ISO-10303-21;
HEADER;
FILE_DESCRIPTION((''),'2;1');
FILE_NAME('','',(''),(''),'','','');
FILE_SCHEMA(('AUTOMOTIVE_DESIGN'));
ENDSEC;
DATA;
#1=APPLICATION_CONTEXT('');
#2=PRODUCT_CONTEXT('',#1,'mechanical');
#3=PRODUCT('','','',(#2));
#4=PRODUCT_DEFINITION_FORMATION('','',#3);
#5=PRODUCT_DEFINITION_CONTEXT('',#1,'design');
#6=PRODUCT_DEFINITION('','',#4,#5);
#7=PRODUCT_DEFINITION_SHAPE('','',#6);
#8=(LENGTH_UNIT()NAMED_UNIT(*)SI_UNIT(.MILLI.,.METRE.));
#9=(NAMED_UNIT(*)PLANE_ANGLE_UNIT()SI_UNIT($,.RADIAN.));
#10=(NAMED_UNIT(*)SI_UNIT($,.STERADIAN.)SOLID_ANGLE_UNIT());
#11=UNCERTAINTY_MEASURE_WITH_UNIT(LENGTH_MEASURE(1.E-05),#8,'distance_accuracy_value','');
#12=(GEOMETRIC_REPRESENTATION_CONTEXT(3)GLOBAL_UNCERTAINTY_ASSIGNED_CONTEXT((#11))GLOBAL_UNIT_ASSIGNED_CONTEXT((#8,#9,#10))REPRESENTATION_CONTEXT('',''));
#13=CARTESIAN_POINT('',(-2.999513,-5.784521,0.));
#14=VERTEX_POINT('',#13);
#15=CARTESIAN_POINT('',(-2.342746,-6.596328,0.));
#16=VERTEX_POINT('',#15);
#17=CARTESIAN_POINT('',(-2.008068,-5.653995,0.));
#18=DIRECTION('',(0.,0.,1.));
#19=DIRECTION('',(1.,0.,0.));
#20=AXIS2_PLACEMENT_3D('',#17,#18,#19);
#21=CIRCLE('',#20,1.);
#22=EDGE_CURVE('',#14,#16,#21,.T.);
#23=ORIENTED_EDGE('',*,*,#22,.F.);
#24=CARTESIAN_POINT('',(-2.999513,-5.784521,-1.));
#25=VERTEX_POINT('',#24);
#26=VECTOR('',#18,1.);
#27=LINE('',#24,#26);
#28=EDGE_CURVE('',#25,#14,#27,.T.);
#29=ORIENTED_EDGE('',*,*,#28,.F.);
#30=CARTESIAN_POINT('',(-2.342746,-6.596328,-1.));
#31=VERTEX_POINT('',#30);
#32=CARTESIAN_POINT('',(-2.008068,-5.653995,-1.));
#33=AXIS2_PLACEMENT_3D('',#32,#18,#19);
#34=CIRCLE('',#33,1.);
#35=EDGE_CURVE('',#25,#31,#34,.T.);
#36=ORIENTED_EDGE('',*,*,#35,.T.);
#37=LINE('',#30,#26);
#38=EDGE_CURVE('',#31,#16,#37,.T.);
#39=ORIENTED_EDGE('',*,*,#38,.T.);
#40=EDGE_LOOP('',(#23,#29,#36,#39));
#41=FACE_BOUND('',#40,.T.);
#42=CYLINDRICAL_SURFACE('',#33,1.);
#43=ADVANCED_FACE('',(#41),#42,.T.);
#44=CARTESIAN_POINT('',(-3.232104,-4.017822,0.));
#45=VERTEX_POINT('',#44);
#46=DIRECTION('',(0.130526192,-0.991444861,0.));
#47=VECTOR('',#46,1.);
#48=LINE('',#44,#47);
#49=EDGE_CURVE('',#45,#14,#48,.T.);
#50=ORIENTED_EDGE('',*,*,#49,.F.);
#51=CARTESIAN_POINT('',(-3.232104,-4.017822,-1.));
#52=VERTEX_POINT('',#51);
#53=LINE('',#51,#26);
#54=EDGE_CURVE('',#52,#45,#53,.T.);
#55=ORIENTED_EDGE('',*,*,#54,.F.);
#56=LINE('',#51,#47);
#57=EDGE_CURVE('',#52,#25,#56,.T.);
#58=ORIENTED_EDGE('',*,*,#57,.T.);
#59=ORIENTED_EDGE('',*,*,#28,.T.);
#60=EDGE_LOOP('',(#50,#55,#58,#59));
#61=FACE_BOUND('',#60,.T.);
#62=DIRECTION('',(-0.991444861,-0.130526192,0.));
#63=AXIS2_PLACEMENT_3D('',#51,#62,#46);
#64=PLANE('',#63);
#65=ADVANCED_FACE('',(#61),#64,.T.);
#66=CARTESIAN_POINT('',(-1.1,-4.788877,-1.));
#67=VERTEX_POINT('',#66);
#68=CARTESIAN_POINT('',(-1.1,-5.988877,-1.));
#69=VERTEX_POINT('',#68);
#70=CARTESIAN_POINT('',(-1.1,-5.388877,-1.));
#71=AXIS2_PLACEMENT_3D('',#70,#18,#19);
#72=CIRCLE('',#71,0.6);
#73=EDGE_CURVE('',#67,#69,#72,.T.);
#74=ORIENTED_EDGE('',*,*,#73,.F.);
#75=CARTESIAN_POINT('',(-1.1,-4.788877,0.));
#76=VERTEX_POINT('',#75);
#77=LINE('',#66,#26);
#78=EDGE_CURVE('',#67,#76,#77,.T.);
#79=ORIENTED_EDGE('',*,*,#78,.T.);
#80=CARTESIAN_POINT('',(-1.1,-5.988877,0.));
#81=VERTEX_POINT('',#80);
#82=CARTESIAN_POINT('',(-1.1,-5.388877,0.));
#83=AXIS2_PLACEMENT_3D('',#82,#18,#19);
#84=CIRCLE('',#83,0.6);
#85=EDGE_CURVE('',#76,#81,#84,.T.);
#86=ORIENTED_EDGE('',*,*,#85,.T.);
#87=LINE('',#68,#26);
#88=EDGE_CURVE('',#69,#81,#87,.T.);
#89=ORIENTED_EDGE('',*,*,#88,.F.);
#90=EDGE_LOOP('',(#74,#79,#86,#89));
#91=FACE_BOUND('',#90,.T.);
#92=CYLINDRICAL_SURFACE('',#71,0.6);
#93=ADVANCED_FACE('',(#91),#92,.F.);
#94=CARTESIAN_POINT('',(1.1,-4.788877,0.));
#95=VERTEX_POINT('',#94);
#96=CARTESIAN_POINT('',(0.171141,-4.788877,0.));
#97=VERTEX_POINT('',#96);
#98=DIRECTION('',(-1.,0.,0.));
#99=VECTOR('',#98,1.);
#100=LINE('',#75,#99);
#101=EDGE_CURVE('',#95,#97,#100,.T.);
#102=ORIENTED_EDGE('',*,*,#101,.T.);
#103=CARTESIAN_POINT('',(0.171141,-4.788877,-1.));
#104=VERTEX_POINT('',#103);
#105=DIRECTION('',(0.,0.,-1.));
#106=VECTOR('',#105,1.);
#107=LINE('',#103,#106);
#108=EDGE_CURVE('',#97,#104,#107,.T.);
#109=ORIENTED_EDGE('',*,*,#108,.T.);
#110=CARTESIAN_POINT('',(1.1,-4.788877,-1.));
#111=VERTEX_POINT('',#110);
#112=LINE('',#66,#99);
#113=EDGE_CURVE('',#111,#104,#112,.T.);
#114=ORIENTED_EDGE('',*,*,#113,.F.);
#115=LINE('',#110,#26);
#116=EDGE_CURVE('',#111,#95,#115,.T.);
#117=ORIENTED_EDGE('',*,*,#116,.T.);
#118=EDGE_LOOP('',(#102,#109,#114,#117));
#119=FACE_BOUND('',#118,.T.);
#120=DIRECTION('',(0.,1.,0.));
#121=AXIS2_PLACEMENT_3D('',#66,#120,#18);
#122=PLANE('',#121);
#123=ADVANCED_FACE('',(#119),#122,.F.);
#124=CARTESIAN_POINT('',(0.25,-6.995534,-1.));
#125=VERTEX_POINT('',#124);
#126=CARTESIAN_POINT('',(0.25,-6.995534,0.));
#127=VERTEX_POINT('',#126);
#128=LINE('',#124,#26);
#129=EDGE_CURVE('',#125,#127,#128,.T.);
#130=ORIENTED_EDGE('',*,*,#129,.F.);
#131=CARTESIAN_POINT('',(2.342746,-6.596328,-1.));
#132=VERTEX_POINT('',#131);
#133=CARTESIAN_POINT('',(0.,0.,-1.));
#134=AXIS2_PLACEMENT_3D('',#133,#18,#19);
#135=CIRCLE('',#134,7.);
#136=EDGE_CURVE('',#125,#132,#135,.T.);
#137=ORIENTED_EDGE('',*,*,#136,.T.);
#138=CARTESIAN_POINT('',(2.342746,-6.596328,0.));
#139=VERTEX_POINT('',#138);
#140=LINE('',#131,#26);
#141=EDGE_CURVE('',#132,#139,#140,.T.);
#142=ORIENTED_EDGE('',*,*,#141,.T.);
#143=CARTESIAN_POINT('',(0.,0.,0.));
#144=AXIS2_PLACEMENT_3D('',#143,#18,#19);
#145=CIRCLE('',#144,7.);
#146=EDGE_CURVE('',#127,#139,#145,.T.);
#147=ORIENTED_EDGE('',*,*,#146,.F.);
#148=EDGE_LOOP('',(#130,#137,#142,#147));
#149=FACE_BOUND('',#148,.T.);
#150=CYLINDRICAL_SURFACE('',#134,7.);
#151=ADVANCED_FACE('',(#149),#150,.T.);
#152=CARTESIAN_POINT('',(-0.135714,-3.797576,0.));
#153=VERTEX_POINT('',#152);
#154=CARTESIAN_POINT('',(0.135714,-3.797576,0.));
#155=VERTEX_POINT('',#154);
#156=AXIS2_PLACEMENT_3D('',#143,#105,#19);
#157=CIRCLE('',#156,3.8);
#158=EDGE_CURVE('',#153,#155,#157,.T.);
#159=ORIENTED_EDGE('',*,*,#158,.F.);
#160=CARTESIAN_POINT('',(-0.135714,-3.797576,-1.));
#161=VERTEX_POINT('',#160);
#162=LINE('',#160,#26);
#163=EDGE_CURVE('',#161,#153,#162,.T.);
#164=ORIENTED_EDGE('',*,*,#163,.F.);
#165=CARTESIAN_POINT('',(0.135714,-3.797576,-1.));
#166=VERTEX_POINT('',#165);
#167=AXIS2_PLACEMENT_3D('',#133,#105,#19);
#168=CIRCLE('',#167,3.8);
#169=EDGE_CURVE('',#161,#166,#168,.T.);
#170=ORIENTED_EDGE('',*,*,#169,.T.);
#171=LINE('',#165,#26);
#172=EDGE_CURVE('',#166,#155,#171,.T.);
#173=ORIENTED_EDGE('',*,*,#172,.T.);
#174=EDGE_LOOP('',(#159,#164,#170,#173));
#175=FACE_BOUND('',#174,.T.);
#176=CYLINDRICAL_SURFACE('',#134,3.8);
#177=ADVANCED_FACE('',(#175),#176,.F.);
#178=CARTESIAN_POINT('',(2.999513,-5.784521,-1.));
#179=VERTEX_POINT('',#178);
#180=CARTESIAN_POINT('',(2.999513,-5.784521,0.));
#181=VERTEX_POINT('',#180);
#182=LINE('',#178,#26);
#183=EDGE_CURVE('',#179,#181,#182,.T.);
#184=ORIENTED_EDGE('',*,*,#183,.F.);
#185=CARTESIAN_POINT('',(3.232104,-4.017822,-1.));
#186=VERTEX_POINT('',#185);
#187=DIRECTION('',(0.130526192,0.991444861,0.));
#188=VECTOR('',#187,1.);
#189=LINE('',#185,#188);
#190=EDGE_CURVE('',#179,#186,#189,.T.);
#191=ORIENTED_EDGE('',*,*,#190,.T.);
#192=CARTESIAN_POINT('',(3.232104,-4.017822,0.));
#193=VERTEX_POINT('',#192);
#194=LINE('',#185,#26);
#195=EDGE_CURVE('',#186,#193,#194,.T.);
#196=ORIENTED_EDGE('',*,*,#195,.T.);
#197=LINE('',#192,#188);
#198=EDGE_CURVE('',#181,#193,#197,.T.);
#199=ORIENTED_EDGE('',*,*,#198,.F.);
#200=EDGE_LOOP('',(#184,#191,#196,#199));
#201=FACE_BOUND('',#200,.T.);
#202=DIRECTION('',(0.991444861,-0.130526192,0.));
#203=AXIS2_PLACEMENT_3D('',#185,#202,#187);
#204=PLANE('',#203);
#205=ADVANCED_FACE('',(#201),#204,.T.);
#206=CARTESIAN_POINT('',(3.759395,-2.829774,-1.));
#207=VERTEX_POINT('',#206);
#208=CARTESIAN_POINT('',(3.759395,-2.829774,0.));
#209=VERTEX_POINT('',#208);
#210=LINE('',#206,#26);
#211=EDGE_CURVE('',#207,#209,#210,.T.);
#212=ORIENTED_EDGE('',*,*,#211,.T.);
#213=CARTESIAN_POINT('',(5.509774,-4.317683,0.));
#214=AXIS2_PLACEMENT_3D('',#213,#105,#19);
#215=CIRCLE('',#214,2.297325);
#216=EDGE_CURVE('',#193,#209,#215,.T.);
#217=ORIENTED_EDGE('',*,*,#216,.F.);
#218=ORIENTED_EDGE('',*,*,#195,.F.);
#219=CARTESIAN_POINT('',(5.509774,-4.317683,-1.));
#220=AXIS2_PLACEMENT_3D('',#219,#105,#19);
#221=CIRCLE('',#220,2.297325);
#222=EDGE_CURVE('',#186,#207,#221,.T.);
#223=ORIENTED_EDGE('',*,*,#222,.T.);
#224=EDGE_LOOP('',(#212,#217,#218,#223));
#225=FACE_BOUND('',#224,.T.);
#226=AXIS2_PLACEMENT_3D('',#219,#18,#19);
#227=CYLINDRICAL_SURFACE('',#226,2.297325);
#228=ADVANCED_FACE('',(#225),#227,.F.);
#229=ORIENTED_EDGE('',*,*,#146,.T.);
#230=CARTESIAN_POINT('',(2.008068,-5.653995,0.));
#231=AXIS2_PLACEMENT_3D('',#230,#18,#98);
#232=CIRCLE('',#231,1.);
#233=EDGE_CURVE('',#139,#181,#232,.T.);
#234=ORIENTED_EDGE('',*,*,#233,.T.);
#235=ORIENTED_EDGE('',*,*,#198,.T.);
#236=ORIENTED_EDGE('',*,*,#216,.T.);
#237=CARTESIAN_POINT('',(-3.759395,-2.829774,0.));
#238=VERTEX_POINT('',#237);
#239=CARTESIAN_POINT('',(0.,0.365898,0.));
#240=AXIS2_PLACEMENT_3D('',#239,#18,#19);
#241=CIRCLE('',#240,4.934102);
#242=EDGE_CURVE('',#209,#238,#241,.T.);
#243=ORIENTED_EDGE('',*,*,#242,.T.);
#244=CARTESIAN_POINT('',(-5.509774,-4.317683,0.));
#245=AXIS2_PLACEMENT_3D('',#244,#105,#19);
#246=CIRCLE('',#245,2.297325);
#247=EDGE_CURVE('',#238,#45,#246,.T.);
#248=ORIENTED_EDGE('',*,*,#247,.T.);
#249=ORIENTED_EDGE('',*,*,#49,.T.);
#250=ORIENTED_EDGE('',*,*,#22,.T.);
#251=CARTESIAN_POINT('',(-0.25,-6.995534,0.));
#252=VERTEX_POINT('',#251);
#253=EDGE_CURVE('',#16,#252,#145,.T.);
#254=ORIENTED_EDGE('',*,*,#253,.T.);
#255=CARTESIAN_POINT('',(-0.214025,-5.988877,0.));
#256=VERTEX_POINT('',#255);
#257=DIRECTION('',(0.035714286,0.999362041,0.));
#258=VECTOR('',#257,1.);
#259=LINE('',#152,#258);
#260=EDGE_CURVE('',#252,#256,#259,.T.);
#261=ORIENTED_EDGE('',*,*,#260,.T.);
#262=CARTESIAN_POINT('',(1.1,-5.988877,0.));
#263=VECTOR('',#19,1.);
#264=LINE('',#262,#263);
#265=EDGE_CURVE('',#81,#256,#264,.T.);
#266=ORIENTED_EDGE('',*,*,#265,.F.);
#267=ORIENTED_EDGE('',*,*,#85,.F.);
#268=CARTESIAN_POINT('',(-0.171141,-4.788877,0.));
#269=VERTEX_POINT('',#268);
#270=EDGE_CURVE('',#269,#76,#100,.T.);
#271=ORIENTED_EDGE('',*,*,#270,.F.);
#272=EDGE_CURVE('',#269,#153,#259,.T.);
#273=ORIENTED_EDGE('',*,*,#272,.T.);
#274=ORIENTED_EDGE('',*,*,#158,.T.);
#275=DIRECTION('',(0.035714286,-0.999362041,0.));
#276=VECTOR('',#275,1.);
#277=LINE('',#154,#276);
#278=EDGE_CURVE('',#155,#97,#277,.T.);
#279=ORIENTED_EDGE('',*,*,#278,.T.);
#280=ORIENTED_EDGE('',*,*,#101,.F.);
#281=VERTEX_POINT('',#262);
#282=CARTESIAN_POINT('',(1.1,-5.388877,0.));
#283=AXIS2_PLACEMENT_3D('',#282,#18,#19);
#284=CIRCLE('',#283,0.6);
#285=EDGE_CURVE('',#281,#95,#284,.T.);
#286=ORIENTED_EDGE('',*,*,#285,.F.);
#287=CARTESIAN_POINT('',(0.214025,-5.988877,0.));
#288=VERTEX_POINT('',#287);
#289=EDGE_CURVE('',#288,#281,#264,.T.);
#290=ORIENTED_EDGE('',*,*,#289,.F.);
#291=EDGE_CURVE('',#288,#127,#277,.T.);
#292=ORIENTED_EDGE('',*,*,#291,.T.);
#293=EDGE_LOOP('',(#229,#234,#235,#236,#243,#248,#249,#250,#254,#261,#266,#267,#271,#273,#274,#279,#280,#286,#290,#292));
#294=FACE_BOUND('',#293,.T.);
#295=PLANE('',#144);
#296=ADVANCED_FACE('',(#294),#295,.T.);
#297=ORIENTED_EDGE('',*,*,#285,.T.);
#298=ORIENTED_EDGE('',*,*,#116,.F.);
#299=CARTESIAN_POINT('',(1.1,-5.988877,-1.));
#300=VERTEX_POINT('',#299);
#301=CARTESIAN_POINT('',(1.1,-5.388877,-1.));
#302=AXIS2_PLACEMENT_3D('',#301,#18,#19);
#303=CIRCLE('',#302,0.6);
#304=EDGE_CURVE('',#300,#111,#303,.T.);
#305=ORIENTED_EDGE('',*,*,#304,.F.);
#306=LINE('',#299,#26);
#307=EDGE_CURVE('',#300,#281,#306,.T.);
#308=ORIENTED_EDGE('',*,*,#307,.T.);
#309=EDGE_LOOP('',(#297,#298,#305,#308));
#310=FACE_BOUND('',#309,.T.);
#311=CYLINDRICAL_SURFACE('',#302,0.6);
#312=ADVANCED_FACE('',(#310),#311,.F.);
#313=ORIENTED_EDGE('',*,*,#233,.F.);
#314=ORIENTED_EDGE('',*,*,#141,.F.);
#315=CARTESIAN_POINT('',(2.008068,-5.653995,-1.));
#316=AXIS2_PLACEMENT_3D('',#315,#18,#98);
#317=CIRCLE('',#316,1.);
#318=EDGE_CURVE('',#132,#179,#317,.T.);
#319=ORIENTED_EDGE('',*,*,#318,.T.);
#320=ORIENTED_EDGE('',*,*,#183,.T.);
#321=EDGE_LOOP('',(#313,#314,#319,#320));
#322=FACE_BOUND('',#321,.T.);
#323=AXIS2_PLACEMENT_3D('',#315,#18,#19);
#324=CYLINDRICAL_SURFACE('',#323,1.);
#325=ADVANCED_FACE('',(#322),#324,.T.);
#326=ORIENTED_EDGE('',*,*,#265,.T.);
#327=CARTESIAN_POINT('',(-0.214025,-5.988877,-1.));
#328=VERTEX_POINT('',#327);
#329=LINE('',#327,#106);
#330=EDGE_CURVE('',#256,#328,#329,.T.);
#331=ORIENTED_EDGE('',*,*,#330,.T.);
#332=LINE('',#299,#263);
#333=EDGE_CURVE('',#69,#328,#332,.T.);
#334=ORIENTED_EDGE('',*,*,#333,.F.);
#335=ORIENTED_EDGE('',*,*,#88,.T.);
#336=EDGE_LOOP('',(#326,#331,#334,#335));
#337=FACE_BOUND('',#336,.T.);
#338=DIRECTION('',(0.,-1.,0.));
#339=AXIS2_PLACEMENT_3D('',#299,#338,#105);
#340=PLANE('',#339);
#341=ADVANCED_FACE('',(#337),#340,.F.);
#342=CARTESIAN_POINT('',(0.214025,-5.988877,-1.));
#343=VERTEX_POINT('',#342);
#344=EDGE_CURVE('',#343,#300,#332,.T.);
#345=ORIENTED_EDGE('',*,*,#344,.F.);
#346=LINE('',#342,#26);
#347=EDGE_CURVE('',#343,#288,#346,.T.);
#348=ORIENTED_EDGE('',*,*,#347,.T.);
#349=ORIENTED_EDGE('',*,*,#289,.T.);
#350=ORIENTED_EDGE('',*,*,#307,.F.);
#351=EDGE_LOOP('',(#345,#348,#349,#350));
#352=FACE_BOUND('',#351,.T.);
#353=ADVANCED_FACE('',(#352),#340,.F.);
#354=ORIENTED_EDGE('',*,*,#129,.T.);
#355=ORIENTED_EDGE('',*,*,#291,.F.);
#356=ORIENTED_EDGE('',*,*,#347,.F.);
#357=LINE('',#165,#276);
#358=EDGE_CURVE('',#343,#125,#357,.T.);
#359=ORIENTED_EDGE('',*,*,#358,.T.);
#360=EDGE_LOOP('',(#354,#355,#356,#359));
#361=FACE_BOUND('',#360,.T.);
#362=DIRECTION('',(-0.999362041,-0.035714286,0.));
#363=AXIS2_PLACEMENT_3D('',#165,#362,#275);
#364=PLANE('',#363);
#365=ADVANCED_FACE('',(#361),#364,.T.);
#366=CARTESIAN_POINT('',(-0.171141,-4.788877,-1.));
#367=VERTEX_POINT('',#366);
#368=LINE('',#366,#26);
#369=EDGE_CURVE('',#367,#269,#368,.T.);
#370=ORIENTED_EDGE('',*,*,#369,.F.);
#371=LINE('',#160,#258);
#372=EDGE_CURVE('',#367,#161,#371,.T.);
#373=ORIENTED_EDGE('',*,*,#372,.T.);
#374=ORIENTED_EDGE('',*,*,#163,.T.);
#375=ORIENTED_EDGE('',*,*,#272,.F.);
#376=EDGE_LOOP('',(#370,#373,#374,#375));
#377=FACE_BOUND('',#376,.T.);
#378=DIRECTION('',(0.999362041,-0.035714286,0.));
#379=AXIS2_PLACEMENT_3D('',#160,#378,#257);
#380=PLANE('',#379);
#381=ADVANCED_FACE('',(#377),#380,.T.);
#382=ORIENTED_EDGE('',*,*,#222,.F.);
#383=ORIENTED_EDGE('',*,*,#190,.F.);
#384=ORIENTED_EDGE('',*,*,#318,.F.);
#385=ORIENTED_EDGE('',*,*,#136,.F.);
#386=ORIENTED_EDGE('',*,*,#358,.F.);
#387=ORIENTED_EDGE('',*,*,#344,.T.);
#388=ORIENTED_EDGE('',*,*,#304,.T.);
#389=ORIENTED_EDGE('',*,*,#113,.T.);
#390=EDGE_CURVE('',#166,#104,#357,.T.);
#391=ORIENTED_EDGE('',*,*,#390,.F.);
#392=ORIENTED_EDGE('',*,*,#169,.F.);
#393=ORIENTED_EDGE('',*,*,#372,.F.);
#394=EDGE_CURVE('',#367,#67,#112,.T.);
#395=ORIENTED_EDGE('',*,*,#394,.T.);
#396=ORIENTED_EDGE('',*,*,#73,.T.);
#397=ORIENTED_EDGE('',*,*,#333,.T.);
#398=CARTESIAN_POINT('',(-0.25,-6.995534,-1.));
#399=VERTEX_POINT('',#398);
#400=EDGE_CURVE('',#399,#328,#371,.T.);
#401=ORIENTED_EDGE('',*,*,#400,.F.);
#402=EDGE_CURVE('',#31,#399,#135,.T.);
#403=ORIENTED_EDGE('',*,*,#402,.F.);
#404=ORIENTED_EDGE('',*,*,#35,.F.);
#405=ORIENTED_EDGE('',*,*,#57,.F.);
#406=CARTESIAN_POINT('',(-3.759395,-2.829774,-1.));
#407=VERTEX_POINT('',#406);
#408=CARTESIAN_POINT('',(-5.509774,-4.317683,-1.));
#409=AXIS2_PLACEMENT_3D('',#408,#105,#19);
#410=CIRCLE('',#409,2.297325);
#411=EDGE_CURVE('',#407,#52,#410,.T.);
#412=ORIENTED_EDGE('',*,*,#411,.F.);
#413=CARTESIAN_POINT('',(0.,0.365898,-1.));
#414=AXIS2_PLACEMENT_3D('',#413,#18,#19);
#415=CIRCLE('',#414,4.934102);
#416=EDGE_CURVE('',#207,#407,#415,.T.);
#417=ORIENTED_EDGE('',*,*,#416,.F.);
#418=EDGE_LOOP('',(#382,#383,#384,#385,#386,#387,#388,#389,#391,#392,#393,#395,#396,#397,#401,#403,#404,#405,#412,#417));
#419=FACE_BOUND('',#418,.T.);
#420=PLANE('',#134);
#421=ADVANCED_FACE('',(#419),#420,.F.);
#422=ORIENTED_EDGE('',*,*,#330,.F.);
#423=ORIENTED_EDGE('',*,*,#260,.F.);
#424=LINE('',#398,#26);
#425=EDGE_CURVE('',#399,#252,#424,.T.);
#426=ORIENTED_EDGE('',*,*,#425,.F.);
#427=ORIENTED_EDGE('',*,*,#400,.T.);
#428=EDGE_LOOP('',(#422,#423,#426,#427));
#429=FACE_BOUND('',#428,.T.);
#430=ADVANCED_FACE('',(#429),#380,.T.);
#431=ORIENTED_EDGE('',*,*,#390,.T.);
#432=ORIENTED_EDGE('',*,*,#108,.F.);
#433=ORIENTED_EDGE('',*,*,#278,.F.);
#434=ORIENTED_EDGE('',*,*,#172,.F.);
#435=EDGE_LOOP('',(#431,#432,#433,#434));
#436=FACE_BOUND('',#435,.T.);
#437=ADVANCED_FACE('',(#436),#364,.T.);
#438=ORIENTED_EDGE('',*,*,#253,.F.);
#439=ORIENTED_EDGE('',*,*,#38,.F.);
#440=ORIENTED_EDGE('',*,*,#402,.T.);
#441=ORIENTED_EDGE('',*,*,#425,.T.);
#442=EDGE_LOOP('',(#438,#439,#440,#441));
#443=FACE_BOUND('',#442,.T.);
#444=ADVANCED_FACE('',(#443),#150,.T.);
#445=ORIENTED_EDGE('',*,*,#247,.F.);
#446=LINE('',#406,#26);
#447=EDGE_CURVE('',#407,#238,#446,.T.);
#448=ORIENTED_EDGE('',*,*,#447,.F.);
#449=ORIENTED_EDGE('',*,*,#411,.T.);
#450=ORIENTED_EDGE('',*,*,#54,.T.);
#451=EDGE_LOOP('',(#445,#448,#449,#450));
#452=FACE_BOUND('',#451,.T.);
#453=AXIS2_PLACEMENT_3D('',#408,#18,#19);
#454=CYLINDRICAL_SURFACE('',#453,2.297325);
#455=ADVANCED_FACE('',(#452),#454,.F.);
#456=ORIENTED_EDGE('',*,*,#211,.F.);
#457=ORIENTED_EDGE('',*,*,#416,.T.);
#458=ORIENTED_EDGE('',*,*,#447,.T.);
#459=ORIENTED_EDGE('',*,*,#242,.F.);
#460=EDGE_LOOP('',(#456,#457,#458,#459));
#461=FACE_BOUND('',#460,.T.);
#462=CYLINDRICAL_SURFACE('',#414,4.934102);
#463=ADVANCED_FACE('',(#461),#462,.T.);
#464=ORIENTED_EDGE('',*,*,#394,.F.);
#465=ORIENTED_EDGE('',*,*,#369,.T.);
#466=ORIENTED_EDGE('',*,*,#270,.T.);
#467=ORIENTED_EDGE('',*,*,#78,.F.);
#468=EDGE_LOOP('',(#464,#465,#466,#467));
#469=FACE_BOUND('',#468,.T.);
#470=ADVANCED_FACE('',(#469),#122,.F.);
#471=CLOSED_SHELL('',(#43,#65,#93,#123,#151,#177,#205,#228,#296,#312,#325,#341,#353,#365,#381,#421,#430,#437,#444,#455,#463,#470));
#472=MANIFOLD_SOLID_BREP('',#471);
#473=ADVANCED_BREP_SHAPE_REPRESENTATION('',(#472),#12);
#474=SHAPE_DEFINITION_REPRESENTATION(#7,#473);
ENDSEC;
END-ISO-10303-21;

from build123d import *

# Parameters (mm, degrees)
BODYSKE_R   = 0.6
BODY_DEPTH  = 1
NOTSKE_W    = 2.2
NOTSKE_H    = 1.2
NOTCH_DEPTH = 9.618750877


with BuildPart() as part:
    # BodySke → Body (new body)
    with BuildSketch(Plane.XY):
        with BuildLine():
            Line((0.135714286, -3.797575757), (0.25, -6.99553429))
            ThreePointArc((0.25, -6.99553429), (1.311649649, -6.876014485), (2.342746295, -6.596327751))
            ThreePointArc((2.342746295, -6.596327751), (2.785504986, -6.282956364), (2.999513114, -5.784521407))
            Line((2.999513114, -5.784521407), (3.232103528, -4.017821812))
            ThreePointArc((3.232103528, -4.017821812), (3.409973994, -3.385728193), (3.759394988, -2.829773865))
            ThreePointArc((3.759394988, -2.829773865), (0, 5.3), (-3.759394988, -2.829773865))
            ThreePointArc((-3.759394988, -2.829773865), (-3.409973994, -3.385728193), (-3.232103528, -4.017821812))
            Line((-3.232103528, -4.017821812), (-2.999513114, -5.784521407))
            ThreePointArc((-2.999513114, -5.784521407), (-2.785504986, -6.282956364), (-2.342746295, -6.596327751))
            ThreePointArc((-2.342746295, -6.596327751), (-1.311649649, -6.876014485), (-0.25, -6.99553429))
            Line((-0.25, -6.99553429), (-0.135714286, -3.797575757))
            ThreePointArc((-0.135714286, -3.797575757), (0, 3.8), (0.135714286, -3.797575757))
        make_face()
        with Locations((1.1, -5.388877434)):
            Circle(BODYSKE_R, mode=Mode.SUBTRACT)
        with Locations((-1.1, -5.388877434)):
            Circle(BODYSKE_R, mode=Mode.SUBTRACT)
    extrude(amount=-BODY_DEPTH)

    # NotSke → Notch (cut, through all)
    with BuildSketch(Plane.XY):
        with Locations((0, -5.388877434)):
            Rectangle(NOTSKE_W, NOTSKE_H)
    extrude(amount=-NOTCH_DEPTH, mode=Mode.SUBTRACT)


solid = part.part
